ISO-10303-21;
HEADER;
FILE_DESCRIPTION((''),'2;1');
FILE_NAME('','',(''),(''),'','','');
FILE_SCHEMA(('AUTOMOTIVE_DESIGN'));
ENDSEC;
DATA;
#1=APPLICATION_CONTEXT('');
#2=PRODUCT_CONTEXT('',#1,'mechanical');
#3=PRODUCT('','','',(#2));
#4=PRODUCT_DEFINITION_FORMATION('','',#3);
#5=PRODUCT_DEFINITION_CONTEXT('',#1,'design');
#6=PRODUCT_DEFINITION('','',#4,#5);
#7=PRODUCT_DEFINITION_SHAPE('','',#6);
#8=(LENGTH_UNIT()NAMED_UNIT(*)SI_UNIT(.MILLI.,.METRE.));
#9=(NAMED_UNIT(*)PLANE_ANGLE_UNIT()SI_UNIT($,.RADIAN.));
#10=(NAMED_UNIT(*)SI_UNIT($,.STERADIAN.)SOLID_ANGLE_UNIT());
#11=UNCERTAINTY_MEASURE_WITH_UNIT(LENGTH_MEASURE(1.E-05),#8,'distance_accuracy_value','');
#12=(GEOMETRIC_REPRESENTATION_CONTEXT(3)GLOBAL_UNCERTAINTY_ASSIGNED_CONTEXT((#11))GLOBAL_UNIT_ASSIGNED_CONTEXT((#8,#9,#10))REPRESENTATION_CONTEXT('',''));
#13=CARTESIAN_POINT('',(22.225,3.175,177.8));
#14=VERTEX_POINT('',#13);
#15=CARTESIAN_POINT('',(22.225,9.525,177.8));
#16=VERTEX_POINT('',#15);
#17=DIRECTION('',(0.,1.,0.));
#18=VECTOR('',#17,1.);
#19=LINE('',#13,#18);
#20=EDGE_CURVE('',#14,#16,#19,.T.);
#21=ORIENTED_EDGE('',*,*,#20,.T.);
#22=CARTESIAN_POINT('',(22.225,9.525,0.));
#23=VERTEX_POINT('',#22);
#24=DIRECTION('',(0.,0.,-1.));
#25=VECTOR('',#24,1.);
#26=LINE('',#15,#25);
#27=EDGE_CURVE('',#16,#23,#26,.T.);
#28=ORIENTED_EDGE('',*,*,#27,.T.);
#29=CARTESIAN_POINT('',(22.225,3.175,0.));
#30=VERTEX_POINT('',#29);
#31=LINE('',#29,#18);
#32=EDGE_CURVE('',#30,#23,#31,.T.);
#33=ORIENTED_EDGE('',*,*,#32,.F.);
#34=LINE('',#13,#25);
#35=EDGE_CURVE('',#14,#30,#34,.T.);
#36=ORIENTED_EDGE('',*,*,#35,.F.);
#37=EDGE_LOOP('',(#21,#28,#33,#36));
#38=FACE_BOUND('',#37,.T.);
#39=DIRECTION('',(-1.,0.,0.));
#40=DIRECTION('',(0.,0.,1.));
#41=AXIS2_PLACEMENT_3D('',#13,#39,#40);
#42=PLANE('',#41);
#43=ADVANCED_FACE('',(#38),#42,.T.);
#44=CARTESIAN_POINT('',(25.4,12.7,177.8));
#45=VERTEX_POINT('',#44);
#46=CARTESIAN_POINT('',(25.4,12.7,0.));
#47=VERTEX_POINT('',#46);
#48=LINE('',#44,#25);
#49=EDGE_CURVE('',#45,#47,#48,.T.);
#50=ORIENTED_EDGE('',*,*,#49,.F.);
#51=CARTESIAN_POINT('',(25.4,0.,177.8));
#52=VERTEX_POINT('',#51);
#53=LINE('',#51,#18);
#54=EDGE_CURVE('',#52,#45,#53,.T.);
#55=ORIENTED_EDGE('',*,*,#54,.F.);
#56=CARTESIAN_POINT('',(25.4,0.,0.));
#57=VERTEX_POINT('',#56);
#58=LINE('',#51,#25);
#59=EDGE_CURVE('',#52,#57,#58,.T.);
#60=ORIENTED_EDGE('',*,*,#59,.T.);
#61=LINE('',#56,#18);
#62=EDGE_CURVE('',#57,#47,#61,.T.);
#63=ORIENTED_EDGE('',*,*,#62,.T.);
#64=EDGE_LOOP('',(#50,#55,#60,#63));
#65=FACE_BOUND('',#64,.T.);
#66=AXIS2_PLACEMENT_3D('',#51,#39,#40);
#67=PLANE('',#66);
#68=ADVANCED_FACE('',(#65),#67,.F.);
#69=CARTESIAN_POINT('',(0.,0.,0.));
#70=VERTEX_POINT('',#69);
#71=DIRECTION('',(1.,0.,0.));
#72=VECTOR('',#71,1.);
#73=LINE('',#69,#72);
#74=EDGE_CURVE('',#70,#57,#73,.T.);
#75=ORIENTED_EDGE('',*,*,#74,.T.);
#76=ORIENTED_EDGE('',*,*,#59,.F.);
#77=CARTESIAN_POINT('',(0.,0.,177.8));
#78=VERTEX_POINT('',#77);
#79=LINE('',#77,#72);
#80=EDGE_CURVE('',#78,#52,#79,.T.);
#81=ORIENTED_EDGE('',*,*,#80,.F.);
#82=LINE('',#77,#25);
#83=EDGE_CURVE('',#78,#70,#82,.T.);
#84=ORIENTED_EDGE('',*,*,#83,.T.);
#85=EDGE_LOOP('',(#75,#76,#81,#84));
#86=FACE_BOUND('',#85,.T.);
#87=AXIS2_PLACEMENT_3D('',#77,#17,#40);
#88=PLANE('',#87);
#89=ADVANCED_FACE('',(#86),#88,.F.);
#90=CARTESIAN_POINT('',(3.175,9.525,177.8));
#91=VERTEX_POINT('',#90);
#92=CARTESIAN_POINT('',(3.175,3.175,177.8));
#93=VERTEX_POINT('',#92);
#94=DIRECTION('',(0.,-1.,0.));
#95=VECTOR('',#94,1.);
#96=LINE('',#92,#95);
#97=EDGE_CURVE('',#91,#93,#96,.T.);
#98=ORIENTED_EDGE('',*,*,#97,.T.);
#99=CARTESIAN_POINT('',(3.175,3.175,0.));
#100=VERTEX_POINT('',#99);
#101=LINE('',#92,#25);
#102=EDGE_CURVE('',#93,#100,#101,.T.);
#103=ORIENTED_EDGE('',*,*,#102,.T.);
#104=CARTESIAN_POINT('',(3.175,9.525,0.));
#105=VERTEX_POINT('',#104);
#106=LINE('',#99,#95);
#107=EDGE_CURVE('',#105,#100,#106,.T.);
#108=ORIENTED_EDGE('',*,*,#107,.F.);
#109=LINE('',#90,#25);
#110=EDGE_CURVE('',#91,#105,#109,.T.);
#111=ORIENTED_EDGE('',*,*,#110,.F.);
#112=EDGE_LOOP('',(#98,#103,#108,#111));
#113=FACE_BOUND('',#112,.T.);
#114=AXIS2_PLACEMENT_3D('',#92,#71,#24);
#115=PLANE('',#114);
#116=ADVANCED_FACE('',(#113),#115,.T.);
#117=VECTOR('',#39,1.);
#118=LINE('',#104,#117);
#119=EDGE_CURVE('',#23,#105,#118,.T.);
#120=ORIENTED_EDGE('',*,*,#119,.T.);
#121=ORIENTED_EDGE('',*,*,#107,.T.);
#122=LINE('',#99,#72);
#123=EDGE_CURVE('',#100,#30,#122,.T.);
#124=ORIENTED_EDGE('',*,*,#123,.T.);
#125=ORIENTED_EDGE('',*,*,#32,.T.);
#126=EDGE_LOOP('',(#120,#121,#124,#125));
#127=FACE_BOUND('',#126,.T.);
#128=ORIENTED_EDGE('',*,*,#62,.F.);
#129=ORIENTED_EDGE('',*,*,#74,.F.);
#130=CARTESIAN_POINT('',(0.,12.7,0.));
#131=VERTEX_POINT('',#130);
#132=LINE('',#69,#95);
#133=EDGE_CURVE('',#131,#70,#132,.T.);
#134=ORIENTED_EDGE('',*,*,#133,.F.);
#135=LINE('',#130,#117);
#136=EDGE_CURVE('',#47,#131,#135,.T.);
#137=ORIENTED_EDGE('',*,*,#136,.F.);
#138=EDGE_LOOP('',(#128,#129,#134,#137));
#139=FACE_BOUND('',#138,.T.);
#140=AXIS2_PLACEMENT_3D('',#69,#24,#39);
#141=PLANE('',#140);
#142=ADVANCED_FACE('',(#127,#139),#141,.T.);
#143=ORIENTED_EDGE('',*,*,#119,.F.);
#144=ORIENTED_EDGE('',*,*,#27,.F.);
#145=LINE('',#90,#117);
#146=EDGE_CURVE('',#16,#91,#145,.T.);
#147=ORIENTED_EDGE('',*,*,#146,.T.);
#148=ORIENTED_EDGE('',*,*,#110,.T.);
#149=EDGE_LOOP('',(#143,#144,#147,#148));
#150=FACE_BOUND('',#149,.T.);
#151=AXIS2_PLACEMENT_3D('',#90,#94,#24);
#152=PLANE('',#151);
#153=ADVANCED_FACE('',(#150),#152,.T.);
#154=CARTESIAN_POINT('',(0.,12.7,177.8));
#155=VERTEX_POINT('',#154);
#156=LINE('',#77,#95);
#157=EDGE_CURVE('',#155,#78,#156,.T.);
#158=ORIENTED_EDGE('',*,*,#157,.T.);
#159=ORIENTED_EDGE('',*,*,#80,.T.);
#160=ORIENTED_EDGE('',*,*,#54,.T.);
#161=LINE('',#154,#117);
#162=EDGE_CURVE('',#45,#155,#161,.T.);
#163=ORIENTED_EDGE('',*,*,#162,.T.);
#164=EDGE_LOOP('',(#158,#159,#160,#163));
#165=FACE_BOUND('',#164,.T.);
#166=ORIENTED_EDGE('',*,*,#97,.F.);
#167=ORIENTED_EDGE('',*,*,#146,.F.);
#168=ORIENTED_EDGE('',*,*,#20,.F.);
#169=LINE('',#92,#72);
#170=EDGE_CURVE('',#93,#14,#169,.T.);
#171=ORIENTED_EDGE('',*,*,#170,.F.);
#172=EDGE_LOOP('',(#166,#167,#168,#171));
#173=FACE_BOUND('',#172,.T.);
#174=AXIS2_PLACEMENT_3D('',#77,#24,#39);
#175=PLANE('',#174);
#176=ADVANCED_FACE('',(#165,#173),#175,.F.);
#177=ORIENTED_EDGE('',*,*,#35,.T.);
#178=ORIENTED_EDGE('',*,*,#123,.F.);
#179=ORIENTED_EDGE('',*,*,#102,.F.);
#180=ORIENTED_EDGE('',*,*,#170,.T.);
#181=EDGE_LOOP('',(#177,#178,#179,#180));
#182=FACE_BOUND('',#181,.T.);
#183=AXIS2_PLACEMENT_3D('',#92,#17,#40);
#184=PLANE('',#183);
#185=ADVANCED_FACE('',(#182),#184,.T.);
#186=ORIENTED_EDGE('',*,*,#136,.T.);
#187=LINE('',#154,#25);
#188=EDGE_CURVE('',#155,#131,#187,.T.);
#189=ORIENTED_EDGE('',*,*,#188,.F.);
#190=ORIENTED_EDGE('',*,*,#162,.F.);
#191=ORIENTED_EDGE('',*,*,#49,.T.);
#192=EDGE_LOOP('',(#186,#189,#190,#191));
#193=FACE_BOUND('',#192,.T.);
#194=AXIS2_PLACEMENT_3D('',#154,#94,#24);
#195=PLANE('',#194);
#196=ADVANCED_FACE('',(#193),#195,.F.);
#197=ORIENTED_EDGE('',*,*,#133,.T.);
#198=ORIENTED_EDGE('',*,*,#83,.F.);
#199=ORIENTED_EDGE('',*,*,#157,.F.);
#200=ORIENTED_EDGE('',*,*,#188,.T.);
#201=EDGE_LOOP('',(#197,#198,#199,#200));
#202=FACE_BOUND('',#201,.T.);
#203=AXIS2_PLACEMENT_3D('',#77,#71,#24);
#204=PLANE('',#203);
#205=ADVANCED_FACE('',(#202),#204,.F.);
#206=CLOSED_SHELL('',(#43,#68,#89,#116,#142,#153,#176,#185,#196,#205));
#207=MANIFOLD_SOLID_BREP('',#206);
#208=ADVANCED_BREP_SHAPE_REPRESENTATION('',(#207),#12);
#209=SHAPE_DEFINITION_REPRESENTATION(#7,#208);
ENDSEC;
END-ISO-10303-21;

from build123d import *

# Parameters (mm, degrees)
SKETCH1_W           = 25.4
SKETCH1_H           = 12.7
SKETCH1_W_2         = 19.05
SKETCH1_H_2         = 6.35
BOSS_EXTRUDE1_DEPTH = 177.8


with BuildPart() as part:
    # Sketch1 → Boss-Extrude1 (new body)
    with BuildSketch(Plane.XY):
        with Locations((12.7, 6.35)):
            Rectangle(SKETCH1_W, SKETCH1_H)
        with Locations((12.7, 6.35)):
            Rectangle(SKETCH1_W_2, SKETCH1_H_2, mode=Mode.SUBTRACT)
    extrude(amount=BOSS_EXTRUDE1_DEPTH)


solid = part.part
